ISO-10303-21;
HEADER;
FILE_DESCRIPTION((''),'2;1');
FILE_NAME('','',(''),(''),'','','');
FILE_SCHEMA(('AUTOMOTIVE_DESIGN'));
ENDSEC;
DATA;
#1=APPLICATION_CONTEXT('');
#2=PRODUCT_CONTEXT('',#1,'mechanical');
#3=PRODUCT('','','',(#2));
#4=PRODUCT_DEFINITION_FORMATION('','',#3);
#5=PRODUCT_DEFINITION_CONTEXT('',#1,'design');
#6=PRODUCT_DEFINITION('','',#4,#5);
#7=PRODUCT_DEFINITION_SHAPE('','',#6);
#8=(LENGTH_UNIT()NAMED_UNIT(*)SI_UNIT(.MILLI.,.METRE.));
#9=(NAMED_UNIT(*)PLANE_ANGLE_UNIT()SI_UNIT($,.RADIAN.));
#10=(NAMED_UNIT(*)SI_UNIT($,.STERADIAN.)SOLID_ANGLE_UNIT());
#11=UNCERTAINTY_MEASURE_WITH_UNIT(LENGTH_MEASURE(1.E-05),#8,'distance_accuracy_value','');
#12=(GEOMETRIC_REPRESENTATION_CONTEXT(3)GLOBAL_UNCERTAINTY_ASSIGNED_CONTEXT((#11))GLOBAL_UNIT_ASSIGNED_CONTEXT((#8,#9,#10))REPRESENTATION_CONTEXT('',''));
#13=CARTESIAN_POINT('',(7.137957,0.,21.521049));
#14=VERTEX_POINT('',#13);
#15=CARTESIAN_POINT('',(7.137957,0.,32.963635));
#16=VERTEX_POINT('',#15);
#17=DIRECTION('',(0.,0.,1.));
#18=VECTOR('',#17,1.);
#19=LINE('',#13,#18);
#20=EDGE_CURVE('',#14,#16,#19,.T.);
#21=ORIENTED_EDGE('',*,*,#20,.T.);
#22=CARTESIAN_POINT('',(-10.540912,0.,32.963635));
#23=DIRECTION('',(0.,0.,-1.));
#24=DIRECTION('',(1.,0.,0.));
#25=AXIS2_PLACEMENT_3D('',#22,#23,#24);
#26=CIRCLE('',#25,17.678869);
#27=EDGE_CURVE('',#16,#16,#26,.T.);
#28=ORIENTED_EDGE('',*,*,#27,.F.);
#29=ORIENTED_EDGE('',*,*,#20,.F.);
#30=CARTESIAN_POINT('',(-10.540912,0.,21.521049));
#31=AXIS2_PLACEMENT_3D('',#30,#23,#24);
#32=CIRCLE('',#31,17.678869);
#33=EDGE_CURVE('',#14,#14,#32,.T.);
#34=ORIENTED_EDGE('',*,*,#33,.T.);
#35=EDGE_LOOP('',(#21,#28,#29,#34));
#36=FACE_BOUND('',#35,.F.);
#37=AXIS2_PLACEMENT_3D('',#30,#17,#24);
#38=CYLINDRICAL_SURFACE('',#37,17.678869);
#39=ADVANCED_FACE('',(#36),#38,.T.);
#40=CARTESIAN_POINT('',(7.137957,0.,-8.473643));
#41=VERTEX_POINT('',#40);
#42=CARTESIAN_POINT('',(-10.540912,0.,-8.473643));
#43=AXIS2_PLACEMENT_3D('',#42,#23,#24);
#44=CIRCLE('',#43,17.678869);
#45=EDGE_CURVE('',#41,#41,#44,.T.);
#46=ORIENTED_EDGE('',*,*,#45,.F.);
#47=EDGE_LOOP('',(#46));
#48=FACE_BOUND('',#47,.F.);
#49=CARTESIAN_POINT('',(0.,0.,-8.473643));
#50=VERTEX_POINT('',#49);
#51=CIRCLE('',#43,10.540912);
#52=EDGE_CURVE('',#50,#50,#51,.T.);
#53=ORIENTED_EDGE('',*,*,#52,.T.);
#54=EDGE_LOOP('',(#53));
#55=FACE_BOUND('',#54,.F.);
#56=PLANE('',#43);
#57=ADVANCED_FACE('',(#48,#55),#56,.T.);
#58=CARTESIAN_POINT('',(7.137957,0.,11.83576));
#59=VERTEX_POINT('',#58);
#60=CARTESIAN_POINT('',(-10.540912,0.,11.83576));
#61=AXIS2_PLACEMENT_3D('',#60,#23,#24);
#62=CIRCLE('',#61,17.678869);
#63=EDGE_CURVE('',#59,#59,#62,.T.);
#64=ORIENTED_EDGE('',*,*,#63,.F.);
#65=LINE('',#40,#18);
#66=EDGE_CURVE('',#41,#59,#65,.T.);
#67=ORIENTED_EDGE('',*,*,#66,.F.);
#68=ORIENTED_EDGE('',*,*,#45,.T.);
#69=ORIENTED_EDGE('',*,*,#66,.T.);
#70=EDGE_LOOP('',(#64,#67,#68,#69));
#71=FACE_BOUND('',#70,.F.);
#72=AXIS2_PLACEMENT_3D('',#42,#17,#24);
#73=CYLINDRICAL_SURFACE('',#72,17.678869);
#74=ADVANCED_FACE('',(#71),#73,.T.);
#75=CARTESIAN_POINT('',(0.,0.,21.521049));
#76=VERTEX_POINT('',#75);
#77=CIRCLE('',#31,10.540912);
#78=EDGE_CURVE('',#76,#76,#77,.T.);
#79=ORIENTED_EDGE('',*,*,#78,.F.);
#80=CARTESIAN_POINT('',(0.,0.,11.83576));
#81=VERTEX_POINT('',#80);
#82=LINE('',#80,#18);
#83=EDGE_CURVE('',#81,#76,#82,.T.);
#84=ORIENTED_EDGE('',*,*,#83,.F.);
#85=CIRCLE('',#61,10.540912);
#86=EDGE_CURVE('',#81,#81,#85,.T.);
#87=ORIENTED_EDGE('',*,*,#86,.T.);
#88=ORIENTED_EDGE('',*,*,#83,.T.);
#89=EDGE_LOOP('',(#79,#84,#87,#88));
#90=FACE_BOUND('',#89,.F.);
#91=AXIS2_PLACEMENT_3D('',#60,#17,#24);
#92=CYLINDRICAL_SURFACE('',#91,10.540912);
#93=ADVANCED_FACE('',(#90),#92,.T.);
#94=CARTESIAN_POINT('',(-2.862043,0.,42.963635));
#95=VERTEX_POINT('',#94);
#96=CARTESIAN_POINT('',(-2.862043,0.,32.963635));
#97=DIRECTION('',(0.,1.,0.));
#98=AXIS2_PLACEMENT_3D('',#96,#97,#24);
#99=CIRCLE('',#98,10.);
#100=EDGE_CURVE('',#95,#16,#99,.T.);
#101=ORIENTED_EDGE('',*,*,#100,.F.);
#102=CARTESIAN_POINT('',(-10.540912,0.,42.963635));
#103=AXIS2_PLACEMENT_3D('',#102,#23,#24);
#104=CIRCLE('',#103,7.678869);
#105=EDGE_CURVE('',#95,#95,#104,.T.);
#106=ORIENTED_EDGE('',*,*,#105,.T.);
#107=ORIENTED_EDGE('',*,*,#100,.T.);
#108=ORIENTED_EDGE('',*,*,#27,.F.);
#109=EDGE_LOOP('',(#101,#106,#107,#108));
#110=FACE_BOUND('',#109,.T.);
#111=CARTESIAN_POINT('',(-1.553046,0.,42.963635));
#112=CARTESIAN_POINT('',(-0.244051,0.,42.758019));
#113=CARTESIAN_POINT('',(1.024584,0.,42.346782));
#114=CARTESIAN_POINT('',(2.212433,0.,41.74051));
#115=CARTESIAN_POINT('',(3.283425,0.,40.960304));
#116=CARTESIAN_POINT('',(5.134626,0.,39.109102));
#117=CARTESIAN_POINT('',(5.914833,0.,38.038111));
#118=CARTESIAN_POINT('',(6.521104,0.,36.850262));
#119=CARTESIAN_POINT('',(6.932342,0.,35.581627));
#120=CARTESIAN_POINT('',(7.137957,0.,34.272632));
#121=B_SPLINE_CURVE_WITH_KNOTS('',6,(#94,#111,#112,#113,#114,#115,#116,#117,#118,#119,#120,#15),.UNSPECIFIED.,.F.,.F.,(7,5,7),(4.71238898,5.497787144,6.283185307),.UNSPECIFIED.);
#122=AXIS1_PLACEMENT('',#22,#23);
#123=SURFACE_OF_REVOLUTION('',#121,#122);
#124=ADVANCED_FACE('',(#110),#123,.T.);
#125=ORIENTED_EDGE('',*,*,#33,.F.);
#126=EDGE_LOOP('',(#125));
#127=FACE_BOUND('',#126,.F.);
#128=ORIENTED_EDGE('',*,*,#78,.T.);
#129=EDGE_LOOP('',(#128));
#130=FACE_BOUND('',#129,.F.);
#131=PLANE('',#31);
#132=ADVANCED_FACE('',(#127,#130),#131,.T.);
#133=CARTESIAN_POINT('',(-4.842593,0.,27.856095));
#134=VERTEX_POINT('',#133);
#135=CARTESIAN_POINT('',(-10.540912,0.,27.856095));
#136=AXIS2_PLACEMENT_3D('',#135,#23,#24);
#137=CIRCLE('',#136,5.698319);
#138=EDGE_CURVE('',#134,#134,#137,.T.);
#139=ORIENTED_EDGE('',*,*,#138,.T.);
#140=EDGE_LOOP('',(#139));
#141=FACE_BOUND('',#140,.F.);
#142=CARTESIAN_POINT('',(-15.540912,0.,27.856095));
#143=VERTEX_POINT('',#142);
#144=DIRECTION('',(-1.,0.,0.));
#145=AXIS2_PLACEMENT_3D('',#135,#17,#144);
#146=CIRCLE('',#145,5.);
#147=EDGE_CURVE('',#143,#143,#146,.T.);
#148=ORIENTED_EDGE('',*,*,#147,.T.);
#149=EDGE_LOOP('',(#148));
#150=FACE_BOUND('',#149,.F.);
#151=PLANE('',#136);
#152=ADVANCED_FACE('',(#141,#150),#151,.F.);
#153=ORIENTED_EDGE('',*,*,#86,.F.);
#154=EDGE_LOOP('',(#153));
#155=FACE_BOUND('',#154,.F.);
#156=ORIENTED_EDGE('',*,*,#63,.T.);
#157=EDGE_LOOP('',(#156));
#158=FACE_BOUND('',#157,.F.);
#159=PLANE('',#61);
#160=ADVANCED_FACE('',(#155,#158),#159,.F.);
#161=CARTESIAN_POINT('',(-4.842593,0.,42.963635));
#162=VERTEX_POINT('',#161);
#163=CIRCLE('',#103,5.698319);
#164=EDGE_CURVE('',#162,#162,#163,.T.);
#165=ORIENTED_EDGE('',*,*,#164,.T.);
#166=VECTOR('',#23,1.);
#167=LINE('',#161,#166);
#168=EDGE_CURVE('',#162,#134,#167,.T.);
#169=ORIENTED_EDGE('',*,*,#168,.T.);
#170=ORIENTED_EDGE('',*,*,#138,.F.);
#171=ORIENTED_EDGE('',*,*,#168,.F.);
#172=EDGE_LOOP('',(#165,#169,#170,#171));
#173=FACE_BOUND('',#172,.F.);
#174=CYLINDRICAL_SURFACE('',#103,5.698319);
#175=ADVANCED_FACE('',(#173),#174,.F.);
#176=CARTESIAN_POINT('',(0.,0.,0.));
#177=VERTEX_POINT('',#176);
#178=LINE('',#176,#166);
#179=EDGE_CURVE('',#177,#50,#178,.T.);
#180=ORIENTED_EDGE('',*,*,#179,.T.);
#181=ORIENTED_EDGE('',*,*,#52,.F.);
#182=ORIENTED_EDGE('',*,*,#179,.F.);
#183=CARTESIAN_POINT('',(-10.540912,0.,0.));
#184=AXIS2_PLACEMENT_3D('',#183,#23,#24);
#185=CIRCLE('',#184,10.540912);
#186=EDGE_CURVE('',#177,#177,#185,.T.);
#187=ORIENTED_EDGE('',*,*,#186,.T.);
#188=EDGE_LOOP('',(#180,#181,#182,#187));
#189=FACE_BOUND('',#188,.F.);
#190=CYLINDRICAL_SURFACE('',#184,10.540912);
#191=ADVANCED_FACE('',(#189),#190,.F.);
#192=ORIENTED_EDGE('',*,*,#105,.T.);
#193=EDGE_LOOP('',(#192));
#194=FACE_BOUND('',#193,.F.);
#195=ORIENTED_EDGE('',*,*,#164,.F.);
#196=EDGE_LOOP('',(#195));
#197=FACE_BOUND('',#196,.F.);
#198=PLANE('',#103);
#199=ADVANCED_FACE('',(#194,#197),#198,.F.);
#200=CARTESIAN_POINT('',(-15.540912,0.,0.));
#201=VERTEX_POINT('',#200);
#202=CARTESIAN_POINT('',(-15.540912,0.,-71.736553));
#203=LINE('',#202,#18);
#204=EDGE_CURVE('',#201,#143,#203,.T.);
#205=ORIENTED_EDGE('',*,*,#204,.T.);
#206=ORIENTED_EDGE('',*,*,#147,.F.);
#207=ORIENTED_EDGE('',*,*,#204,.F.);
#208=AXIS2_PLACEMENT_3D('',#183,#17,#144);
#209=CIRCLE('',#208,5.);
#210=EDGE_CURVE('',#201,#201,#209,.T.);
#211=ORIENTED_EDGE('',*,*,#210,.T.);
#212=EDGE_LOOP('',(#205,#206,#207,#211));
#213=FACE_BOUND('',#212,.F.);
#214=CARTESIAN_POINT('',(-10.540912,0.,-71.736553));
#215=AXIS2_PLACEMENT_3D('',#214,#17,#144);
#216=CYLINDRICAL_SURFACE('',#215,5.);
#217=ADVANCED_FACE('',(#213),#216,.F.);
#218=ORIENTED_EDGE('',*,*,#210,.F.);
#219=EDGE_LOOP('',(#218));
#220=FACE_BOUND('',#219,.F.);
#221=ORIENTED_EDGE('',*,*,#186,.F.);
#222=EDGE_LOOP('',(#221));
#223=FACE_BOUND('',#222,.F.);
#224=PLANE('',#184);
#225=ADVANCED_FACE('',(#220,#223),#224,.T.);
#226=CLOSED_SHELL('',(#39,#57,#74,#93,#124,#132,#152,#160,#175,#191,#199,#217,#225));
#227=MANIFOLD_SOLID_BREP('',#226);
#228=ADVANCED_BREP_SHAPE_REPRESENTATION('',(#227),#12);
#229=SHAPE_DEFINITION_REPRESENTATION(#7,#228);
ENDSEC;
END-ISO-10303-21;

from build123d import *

# Parameters (mm, degrees)
F3_D = 10
F4_R = 10


with BuildPart() as f1:
    # F0 (on Front) → F1 (revolve)
    with BuildSketch(Plane.XZ):
        Polygon((7.1379574947, 42.9636351764), (-4.8425933346, 42.9636351764), (-4.8425933346, 27.8560947627), (-10.5409119278, 27.8560947627), (-10.5409119278, 0), (0, 0), (0, -8.4736431018), (7.1379574947, -8.4736431018), (7.1379574947, 11.8357595056), (0, 11.8357595056), (0, 21.5210486203), (7.1379574947, 21.5210486203), align=None)
    revolve(axis=Axis((-10.5409119278, 0, 16.1306988448), (0, 0, -1)))

    # F3 (through all)
    with Locations(Plane(origin=(0, 0, 0), x_dir=(1, 0, 0), z_dir=(0, 0, -1))):
        with Locations((-10.5409119278, 0)):
            Hole(F3_D / 2)

    # F4
    f4_edges = [f1.edges().sort_by_distance(p)[0] for p in [
        (-28.219781, 0, 42.963635),
    ]]
    fillet(f4_edges, radius=F4_R)


solid = f1.part
